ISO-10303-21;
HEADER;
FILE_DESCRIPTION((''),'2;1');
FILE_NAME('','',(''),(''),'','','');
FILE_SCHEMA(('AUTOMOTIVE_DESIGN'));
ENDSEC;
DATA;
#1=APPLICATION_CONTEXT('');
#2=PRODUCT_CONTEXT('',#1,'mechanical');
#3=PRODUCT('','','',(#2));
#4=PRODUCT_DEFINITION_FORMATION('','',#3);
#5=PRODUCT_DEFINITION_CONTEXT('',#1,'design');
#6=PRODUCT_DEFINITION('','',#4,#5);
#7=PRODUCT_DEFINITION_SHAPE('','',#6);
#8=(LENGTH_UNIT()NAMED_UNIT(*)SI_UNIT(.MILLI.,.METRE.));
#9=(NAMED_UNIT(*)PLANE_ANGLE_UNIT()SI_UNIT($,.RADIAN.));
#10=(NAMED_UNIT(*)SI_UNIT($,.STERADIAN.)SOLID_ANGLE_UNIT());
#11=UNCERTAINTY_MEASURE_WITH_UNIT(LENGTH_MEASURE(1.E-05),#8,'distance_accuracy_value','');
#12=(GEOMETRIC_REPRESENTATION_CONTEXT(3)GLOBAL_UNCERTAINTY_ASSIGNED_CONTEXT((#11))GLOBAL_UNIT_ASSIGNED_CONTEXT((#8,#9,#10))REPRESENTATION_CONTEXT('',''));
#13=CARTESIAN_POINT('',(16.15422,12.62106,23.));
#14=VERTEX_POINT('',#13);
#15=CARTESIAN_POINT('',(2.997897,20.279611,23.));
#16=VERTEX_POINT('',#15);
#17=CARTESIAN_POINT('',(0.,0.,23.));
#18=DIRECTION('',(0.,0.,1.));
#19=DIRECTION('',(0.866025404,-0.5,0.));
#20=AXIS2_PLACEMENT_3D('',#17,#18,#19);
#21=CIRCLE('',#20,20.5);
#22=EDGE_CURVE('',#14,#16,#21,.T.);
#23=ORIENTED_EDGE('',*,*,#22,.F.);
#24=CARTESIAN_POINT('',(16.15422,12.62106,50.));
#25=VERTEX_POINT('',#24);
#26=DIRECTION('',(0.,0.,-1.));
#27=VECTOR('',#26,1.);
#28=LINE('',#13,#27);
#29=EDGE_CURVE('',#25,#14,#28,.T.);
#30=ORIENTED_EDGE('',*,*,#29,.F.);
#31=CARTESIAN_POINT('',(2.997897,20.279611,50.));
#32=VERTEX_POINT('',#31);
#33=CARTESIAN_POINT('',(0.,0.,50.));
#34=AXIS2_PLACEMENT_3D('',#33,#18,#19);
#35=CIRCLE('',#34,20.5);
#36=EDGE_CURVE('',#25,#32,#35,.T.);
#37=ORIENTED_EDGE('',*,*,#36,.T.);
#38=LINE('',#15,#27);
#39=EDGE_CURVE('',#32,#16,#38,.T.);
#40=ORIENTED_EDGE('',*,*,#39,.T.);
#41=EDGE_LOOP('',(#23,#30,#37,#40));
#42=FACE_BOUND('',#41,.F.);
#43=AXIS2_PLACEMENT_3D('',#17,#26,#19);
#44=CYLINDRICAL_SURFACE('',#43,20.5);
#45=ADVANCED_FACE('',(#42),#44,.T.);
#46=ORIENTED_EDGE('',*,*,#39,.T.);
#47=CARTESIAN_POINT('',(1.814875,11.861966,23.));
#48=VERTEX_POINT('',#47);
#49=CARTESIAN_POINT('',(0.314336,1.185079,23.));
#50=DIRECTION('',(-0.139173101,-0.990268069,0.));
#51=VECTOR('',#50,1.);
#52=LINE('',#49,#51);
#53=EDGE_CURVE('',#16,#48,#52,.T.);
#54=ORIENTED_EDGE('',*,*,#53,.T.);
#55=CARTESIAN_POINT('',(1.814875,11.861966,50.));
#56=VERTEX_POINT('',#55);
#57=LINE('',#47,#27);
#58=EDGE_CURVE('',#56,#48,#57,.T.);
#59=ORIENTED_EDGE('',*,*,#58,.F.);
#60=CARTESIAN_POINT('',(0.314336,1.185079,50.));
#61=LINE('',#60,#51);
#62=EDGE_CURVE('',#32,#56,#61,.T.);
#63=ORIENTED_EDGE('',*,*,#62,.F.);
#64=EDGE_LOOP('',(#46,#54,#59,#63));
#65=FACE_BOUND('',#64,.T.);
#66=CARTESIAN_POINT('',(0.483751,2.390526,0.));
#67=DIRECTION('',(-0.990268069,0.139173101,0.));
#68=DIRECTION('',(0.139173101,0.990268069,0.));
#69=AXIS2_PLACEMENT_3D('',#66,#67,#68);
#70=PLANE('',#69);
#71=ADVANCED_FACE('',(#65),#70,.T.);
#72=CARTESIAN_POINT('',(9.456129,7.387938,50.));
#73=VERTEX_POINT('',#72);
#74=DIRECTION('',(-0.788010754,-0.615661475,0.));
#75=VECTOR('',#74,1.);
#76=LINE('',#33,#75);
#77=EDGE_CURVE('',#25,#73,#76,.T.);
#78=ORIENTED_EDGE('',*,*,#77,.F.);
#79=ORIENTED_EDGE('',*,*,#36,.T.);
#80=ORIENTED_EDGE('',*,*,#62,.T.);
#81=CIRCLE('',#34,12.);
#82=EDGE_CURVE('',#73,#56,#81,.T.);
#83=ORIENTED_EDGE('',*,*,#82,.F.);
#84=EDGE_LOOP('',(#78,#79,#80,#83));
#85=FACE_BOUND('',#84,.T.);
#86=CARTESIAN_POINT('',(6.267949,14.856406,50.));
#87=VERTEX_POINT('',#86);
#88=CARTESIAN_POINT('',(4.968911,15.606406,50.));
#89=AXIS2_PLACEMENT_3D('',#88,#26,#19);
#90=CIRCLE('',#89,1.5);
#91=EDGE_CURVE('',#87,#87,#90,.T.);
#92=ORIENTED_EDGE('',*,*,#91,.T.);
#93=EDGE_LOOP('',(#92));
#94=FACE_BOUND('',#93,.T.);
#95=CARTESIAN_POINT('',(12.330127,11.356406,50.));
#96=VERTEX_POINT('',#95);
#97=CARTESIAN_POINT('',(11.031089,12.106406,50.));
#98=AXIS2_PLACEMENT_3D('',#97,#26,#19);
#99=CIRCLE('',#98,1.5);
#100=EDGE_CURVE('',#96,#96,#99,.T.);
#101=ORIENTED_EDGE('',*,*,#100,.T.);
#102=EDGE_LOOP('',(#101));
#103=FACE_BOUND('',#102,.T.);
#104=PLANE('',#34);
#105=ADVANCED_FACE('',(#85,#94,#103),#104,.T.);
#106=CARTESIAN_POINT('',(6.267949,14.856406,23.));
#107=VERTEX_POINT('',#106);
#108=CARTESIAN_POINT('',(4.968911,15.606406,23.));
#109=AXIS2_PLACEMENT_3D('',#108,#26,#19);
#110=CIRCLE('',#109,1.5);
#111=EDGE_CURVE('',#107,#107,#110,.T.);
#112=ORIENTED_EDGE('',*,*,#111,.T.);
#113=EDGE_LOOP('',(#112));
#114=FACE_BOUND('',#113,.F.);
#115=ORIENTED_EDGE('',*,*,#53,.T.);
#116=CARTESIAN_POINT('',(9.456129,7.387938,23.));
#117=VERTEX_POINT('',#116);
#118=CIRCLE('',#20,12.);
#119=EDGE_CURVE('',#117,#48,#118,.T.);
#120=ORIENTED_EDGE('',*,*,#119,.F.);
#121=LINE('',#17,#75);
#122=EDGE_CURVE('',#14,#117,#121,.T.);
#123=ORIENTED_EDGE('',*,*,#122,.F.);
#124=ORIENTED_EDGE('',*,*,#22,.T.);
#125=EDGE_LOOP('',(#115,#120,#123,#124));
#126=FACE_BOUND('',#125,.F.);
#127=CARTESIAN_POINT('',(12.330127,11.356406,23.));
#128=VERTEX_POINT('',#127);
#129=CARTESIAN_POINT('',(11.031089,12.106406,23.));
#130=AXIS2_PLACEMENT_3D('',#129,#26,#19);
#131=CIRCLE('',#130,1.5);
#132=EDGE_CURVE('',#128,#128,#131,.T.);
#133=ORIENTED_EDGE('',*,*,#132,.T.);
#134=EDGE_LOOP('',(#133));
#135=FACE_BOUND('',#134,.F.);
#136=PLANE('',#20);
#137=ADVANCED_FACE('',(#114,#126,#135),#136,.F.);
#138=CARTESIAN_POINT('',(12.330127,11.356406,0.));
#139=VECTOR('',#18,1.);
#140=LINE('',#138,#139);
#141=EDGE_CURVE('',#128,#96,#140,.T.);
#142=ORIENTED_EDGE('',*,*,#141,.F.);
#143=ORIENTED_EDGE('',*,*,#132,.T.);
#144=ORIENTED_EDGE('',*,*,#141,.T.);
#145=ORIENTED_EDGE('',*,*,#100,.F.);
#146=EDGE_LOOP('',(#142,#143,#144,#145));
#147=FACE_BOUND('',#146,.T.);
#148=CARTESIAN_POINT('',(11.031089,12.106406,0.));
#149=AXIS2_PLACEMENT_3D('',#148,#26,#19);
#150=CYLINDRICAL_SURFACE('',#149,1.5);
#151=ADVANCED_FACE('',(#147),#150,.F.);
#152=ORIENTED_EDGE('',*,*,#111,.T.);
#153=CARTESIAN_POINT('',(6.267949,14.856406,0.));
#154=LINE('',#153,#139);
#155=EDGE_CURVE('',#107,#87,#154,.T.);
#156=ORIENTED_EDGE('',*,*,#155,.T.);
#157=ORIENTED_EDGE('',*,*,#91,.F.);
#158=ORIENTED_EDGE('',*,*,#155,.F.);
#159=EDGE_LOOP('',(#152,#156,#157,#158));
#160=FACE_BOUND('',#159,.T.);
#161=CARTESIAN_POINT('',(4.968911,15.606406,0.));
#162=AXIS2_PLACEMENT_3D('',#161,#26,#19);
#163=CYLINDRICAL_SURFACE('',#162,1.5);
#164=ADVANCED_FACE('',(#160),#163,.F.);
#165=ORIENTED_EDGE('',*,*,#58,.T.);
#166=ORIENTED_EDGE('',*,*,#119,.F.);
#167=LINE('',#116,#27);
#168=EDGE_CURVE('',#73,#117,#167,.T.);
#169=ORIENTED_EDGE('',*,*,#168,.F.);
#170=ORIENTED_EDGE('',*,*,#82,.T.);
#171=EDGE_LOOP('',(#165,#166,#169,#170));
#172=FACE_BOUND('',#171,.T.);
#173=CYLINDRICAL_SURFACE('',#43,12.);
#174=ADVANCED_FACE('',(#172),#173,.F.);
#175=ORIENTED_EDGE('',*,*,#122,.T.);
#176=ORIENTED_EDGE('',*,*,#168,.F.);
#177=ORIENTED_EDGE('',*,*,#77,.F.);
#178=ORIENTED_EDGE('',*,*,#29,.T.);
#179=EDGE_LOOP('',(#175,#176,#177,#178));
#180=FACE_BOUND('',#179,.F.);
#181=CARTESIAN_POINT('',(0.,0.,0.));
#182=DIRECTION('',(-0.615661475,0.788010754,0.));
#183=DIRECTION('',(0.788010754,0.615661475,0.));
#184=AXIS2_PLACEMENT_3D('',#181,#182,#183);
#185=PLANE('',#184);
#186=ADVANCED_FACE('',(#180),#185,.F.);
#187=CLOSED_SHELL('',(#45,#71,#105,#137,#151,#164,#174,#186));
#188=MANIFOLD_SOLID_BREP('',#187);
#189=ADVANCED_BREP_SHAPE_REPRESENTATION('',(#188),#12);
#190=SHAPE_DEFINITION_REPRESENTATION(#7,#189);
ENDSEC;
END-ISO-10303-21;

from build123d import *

# Parameters (mm, degrees)
CYLINDER860_R          = 1.5
CYLINDER860_DEPTH      = 60
CYLINDER859_R          = 1.5
CYLINDER859_DEPTH      = 60
BOX336_W               = 20
BOX336_H               = 40
BOX336_DEPTH           = 60
BOX336_PLACEMENT_ANGLE = 22
BOX410_W               = 20
BOX410_H               = 40
BOX410_DEPTH           = 60
BOX410_PLACEMENT_ANGLE = 22
BOX335_W               = 60
BOX335_H               = 40
BOX335_DEPTH           = 60
TUBE037_R              = 20.5
TUBE037_R_2            = 12
TUBE037_DEPTH          = 27
CUT468_PLACEMENT_ANGLE = 30


with BuildPart() as v_lec860:
    # Cylinder860 → Cylinder860 (new body)
    with BuildSketch(Plane(origin=(-3.5, 16, 0), x_dir=(1, 0, 0), z_dir=(0, 0, 1))):
        Circle(CYLINDER860_R)
    extrude(amount=CYLINDER860_DEPTH)


with BuildPart() as compound565:
    # Cylinder859 → Cylinder859 (new body)
    with BuildSketch(Plane(origin=(3.5, 16, 0), x_dir=(1, 0, 0), z_dir=(0, 0, 1))):
        Circle(CYLINDER859_R)
    extrude(amount=CYLINDER859_DEPTH)

    # Compound565: union Válec860
    add(v_lec860.part)


with BuildPart() as krychle336:
    # Box336 → Box336 (new body)
    with BuildSketch(Plane.XY):
        with Locations((10, 20)):
            Rectangle(BOX336_W, BOX336_H)
    extrude(amount=BOX336_DEPTH)


with BuildPart() as krychle336_1:
    # Box336 placement: moved
    add(krychle336.part.rotate(Axis((0, 0, 0), (0, 0, -1)), BOX336_PLACEMENT_ANGLE))


with BuildPart() as krychle410:
    # Box410 → Box410 (new body)
    with BuildSketch(Plane.XY):
        with Locations((10, 20)):
            Rectangle(BOX410_W, BOX410_H)
    extrude(amount=BOX410_DEPTH)


with BuildPart() as krychle410_1:
    # Box410 placement: moved
    add(krychle410.part.moved(Location((-19.32, -5.18, 0))).rotate(Axis((-19.32, -5.18, 0), (0, 0, 1)), BOX410_PLACEMENT_ANGLE))


with BuildPart() as krychle335:
    # Box335 → Box335 (new body)
    with BuildSketch(Plane(origin=(-30, -35, 0), x_dir=(1, 0, 0), z_dir=(0, 0, 1))):
        with Locations((30, 20)):
            Rectangle(BOX335_W, BOX335_H)
    extrude(amount=BOX335_DEPTH)


with BuildPart() as cut468:
    # Tube037 → Tube037 (new body)
    with BuildSketch(Plane.XY.offset(23)):
        Circle(TUBE037_R)
        Circle(TUBE037_R_2, mode=Mode.SUBTRACT)
    extrude(amount=TUBE037_DEPTH)

    # Cut355: cut Krychle335
    add(krychle335.part, mode=Mode.SUBTRACT)

    # Cut357: cut Krychle410
    add(krychle410_1.part, mode=Mode.SUBTRACT)

    # Cut358: cut Krychle336
    add(krychle336_1.part, mode=Mode.SUBTRACT)

    # Cut468: cut Compound565
    add(compound565.part, mode=Mode.SUBTRACT)


with BuildPart() as cut468_1:
    # Cut468 placement: moved
    add(cut468.part.rotate(Axis((0, 0, 0), (0, 0, -1)), CUT468_PLACEMENT_ANGLE))


solid = cut468_1.part
